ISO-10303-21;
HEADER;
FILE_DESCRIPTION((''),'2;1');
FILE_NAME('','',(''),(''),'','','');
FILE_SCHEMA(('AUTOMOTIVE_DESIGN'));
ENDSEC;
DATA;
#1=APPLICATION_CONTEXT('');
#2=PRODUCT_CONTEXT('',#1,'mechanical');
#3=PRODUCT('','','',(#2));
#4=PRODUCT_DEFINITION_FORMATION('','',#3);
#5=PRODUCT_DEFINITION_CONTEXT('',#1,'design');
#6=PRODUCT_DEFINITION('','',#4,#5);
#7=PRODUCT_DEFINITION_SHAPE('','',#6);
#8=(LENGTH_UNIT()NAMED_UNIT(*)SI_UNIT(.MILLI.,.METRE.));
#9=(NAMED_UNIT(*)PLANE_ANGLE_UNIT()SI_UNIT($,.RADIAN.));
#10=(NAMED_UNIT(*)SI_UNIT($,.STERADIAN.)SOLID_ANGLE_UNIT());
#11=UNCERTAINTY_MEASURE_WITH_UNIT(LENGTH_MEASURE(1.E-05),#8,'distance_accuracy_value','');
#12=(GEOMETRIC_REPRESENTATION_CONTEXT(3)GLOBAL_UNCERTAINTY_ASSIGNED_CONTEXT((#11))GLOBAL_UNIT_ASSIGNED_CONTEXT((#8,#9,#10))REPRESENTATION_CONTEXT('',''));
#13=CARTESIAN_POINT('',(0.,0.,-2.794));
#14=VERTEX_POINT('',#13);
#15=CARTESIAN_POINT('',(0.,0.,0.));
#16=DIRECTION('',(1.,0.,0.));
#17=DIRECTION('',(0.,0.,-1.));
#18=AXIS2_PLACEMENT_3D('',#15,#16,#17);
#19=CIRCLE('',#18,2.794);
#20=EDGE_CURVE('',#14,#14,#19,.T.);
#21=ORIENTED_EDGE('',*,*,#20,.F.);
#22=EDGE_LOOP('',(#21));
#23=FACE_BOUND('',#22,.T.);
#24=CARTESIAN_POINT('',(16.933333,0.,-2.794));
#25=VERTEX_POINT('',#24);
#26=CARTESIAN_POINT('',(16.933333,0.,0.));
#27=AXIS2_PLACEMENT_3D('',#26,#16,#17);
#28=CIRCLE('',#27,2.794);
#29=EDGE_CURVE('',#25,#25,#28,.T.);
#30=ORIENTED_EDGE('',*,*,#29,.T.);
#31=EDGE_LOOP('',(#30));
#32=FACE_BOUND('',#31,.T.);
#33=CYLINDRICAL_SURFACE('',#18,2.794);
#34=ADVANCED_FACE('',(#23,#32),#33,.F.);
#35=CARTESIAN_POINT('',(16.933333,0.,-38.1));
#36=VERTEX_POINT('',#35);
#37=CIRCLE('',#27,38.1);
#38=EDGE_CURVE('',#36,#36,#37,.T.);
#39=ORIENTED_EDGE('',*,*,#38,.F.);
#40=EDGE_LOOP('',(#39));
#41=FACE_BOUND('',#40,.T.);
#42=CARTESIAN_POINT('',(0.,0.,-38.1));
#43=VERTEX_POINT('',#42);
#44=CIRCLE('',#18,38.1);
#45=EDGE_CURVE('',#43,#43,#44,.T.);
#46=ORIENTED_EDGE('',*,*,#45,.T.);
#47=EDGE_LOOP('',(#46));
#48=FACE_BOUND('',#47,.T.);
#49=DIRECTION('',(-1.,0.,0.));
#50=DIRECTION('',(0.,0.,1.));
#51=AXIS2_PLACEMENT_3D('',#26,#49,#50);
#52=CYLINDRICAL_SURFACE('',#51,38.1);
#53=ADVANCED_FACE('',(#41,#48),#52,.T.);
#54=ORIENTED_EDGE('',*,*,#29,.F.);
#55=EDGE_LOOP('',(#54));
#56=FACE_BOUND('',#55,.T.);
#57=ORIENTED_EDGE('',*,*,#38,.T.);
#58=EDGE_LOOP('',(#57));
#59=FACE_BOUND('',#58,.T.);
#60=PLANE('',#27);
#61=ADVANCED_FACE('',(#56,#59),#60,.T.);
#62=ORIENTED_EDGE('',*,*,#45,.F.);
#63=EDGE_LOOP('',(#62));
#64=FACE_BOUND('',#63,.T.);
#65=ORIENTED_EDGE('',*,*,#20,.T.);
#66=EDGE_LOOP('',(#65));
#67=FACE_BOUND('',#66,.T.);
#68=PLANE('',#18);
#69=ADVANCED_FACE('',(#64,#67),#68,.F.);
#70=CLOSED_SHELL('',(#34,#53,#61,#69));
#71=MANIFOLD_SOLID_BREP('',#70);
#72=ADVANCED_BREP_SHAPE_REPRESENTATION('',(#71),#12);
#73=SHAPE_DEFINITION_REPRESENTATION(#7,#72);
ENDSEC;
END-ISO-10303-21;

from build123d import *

# Parameters (mm, degrees)
SKETCH1_R           = 38.1
BOSS_EXTRUDE1_DEPTH = 16.933333333
SKETCH2_R           = 2.794
CUT_EXTRUDE1_DEPTH  = 16.933333333


with BuildPart() as part:
    # Sketch1 → Boss-Extrude1 (new body)
    with BuildSketch(Plane(origin=(0, 0, 0), x_dir=(0, 0, -1), z_dir=(1, 0, 0))):
        Circle(SKETCH1_R)
    extrude(amount=BOSS_EXTRUDE1_DEPTH)

    # Sketch2 → Cut-Extrude1 (cut)
    with BuildSketch(Plane(origin=(16.933333333, 0, 0), x_dir=(0, 0, -1), z_dir=(1, 0, 0))):
        Circle(SKETCH2_R)
    extrude(amount=-CUT_EXTRUDE1_DEPTH, mode=Mode.SUBTRACT)


solid = part.part
